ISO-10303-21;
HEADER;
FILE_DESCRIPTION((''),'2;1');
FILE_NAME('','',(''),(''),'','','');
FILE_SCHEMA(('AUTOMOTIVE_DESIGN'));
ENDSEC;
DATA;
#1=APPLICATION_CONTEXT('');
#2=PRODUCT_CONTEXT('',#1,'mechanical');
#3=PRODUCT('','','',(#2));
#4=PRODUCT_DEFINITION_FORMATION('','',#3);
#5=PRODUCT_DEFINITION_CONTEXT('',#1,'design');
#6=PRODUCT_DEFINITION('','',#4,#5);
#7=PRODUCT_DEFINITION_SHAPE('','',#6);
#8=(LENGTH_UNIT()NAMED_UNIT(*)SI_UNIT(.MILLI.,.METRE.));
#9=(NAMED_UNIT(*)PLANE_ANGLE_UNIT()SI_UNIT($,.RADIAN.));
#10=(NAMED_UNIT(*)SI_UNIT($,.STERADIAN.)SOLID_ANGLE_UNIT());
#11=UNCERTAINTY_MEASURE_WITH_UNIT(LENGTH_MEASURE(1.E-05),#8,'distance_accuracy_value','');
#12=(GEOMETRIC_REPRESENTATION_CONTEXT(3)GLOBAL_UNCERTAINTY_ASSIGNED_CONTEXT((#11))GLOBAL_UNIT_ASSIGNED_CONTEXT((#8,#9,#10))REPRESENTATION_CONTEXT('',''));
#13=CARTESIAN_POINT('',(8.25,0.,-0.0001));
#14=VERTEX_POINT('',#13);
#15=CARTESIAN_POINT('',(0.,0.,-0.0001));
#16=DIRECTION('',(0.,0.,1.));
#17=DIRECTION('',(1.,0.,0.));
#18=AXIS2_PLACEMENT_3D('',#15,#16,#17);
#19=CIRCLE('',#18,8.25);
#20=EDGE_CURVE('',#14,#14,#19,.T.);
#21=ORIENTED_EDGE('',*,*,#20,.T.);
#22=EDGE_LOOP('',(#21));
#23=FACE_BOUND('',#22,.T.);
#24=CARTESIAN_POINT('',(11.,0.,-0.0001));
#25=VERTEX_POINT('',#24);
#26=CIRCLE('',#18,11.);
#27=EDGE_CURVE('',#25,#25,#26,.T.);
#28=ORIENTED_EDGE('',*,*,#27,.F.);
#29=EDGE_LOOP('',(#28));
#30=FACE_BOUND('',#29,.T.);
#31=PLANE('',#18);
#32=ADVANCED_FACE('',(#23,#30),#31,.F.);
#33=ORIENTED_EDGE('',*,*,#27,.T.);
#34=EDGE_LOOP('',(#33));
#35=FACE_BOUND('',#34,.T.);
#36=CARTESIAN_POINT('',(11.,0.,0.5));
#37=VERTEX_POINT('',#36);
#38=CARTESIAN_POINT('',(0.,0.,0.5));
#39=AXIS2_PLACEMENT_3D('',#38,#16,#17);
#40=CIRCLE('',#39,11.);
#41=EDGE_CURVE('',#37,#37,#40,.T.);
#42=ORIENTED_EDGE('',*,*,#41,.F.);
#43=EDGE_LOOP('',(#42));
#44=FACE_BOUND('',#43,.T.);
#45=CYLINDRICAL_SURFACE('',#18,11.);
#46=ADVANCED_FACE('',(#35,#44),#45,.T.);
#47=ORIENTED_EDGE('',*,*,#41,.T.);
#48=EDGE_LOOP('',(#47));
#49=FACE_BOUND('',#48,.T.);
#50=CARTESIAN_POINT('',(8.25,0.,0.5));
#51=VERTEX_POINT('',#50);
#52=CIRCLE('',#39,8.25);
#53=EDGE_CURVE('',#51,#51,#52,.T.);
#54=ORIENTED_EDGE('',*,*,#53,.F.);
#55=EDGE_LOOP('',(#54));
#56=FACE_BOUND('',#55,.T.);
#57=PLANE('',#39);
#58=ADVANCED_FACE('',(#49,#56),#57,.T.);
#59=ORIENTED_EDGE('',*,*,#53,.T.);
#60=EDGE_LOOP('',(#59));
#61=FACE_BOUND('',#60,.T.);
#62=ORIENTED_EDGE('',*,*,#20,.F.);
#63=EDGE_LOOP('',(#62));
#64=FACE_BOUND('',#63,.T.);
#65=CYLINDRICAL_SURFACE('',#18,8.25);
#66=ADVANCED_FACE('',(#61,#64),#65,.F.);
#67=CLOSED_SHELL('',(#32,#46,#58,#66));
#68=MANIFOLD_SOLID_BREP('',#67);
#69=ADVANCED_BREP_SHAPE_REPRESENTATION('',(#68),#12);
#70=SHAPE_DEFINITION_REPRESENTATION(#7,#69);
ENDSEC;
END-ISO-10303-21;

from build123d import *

# Parameters (mm, degrees)
BOSS_EXTRUDE1_DEPTH      = 0.5
BOSS_EXTRUDE1_DEPTH_BACK = 0.0001
SKETCH1_R                = 11
SKETCH1_R_2              = 8.25


with BuildPart() as part:
    # Sketch1 → Boss-Extrude1 (new, two sides: drawn at the far end of the back side and taken through both)
    with BuildSketch(Plane.XY.offset(-BOSS_EXTRUDE1_DEPTH_BACK)):
        Circle(SKETCH1_R)
        Circle(SKETCH1_R_2, mode=Mode.SUBTRACT)
    extrude(amount=BOSS_EXTRUDE1_DEPTH + BOSS_EXTRUDE1_DEPTH_BACK)


solid = part.part
